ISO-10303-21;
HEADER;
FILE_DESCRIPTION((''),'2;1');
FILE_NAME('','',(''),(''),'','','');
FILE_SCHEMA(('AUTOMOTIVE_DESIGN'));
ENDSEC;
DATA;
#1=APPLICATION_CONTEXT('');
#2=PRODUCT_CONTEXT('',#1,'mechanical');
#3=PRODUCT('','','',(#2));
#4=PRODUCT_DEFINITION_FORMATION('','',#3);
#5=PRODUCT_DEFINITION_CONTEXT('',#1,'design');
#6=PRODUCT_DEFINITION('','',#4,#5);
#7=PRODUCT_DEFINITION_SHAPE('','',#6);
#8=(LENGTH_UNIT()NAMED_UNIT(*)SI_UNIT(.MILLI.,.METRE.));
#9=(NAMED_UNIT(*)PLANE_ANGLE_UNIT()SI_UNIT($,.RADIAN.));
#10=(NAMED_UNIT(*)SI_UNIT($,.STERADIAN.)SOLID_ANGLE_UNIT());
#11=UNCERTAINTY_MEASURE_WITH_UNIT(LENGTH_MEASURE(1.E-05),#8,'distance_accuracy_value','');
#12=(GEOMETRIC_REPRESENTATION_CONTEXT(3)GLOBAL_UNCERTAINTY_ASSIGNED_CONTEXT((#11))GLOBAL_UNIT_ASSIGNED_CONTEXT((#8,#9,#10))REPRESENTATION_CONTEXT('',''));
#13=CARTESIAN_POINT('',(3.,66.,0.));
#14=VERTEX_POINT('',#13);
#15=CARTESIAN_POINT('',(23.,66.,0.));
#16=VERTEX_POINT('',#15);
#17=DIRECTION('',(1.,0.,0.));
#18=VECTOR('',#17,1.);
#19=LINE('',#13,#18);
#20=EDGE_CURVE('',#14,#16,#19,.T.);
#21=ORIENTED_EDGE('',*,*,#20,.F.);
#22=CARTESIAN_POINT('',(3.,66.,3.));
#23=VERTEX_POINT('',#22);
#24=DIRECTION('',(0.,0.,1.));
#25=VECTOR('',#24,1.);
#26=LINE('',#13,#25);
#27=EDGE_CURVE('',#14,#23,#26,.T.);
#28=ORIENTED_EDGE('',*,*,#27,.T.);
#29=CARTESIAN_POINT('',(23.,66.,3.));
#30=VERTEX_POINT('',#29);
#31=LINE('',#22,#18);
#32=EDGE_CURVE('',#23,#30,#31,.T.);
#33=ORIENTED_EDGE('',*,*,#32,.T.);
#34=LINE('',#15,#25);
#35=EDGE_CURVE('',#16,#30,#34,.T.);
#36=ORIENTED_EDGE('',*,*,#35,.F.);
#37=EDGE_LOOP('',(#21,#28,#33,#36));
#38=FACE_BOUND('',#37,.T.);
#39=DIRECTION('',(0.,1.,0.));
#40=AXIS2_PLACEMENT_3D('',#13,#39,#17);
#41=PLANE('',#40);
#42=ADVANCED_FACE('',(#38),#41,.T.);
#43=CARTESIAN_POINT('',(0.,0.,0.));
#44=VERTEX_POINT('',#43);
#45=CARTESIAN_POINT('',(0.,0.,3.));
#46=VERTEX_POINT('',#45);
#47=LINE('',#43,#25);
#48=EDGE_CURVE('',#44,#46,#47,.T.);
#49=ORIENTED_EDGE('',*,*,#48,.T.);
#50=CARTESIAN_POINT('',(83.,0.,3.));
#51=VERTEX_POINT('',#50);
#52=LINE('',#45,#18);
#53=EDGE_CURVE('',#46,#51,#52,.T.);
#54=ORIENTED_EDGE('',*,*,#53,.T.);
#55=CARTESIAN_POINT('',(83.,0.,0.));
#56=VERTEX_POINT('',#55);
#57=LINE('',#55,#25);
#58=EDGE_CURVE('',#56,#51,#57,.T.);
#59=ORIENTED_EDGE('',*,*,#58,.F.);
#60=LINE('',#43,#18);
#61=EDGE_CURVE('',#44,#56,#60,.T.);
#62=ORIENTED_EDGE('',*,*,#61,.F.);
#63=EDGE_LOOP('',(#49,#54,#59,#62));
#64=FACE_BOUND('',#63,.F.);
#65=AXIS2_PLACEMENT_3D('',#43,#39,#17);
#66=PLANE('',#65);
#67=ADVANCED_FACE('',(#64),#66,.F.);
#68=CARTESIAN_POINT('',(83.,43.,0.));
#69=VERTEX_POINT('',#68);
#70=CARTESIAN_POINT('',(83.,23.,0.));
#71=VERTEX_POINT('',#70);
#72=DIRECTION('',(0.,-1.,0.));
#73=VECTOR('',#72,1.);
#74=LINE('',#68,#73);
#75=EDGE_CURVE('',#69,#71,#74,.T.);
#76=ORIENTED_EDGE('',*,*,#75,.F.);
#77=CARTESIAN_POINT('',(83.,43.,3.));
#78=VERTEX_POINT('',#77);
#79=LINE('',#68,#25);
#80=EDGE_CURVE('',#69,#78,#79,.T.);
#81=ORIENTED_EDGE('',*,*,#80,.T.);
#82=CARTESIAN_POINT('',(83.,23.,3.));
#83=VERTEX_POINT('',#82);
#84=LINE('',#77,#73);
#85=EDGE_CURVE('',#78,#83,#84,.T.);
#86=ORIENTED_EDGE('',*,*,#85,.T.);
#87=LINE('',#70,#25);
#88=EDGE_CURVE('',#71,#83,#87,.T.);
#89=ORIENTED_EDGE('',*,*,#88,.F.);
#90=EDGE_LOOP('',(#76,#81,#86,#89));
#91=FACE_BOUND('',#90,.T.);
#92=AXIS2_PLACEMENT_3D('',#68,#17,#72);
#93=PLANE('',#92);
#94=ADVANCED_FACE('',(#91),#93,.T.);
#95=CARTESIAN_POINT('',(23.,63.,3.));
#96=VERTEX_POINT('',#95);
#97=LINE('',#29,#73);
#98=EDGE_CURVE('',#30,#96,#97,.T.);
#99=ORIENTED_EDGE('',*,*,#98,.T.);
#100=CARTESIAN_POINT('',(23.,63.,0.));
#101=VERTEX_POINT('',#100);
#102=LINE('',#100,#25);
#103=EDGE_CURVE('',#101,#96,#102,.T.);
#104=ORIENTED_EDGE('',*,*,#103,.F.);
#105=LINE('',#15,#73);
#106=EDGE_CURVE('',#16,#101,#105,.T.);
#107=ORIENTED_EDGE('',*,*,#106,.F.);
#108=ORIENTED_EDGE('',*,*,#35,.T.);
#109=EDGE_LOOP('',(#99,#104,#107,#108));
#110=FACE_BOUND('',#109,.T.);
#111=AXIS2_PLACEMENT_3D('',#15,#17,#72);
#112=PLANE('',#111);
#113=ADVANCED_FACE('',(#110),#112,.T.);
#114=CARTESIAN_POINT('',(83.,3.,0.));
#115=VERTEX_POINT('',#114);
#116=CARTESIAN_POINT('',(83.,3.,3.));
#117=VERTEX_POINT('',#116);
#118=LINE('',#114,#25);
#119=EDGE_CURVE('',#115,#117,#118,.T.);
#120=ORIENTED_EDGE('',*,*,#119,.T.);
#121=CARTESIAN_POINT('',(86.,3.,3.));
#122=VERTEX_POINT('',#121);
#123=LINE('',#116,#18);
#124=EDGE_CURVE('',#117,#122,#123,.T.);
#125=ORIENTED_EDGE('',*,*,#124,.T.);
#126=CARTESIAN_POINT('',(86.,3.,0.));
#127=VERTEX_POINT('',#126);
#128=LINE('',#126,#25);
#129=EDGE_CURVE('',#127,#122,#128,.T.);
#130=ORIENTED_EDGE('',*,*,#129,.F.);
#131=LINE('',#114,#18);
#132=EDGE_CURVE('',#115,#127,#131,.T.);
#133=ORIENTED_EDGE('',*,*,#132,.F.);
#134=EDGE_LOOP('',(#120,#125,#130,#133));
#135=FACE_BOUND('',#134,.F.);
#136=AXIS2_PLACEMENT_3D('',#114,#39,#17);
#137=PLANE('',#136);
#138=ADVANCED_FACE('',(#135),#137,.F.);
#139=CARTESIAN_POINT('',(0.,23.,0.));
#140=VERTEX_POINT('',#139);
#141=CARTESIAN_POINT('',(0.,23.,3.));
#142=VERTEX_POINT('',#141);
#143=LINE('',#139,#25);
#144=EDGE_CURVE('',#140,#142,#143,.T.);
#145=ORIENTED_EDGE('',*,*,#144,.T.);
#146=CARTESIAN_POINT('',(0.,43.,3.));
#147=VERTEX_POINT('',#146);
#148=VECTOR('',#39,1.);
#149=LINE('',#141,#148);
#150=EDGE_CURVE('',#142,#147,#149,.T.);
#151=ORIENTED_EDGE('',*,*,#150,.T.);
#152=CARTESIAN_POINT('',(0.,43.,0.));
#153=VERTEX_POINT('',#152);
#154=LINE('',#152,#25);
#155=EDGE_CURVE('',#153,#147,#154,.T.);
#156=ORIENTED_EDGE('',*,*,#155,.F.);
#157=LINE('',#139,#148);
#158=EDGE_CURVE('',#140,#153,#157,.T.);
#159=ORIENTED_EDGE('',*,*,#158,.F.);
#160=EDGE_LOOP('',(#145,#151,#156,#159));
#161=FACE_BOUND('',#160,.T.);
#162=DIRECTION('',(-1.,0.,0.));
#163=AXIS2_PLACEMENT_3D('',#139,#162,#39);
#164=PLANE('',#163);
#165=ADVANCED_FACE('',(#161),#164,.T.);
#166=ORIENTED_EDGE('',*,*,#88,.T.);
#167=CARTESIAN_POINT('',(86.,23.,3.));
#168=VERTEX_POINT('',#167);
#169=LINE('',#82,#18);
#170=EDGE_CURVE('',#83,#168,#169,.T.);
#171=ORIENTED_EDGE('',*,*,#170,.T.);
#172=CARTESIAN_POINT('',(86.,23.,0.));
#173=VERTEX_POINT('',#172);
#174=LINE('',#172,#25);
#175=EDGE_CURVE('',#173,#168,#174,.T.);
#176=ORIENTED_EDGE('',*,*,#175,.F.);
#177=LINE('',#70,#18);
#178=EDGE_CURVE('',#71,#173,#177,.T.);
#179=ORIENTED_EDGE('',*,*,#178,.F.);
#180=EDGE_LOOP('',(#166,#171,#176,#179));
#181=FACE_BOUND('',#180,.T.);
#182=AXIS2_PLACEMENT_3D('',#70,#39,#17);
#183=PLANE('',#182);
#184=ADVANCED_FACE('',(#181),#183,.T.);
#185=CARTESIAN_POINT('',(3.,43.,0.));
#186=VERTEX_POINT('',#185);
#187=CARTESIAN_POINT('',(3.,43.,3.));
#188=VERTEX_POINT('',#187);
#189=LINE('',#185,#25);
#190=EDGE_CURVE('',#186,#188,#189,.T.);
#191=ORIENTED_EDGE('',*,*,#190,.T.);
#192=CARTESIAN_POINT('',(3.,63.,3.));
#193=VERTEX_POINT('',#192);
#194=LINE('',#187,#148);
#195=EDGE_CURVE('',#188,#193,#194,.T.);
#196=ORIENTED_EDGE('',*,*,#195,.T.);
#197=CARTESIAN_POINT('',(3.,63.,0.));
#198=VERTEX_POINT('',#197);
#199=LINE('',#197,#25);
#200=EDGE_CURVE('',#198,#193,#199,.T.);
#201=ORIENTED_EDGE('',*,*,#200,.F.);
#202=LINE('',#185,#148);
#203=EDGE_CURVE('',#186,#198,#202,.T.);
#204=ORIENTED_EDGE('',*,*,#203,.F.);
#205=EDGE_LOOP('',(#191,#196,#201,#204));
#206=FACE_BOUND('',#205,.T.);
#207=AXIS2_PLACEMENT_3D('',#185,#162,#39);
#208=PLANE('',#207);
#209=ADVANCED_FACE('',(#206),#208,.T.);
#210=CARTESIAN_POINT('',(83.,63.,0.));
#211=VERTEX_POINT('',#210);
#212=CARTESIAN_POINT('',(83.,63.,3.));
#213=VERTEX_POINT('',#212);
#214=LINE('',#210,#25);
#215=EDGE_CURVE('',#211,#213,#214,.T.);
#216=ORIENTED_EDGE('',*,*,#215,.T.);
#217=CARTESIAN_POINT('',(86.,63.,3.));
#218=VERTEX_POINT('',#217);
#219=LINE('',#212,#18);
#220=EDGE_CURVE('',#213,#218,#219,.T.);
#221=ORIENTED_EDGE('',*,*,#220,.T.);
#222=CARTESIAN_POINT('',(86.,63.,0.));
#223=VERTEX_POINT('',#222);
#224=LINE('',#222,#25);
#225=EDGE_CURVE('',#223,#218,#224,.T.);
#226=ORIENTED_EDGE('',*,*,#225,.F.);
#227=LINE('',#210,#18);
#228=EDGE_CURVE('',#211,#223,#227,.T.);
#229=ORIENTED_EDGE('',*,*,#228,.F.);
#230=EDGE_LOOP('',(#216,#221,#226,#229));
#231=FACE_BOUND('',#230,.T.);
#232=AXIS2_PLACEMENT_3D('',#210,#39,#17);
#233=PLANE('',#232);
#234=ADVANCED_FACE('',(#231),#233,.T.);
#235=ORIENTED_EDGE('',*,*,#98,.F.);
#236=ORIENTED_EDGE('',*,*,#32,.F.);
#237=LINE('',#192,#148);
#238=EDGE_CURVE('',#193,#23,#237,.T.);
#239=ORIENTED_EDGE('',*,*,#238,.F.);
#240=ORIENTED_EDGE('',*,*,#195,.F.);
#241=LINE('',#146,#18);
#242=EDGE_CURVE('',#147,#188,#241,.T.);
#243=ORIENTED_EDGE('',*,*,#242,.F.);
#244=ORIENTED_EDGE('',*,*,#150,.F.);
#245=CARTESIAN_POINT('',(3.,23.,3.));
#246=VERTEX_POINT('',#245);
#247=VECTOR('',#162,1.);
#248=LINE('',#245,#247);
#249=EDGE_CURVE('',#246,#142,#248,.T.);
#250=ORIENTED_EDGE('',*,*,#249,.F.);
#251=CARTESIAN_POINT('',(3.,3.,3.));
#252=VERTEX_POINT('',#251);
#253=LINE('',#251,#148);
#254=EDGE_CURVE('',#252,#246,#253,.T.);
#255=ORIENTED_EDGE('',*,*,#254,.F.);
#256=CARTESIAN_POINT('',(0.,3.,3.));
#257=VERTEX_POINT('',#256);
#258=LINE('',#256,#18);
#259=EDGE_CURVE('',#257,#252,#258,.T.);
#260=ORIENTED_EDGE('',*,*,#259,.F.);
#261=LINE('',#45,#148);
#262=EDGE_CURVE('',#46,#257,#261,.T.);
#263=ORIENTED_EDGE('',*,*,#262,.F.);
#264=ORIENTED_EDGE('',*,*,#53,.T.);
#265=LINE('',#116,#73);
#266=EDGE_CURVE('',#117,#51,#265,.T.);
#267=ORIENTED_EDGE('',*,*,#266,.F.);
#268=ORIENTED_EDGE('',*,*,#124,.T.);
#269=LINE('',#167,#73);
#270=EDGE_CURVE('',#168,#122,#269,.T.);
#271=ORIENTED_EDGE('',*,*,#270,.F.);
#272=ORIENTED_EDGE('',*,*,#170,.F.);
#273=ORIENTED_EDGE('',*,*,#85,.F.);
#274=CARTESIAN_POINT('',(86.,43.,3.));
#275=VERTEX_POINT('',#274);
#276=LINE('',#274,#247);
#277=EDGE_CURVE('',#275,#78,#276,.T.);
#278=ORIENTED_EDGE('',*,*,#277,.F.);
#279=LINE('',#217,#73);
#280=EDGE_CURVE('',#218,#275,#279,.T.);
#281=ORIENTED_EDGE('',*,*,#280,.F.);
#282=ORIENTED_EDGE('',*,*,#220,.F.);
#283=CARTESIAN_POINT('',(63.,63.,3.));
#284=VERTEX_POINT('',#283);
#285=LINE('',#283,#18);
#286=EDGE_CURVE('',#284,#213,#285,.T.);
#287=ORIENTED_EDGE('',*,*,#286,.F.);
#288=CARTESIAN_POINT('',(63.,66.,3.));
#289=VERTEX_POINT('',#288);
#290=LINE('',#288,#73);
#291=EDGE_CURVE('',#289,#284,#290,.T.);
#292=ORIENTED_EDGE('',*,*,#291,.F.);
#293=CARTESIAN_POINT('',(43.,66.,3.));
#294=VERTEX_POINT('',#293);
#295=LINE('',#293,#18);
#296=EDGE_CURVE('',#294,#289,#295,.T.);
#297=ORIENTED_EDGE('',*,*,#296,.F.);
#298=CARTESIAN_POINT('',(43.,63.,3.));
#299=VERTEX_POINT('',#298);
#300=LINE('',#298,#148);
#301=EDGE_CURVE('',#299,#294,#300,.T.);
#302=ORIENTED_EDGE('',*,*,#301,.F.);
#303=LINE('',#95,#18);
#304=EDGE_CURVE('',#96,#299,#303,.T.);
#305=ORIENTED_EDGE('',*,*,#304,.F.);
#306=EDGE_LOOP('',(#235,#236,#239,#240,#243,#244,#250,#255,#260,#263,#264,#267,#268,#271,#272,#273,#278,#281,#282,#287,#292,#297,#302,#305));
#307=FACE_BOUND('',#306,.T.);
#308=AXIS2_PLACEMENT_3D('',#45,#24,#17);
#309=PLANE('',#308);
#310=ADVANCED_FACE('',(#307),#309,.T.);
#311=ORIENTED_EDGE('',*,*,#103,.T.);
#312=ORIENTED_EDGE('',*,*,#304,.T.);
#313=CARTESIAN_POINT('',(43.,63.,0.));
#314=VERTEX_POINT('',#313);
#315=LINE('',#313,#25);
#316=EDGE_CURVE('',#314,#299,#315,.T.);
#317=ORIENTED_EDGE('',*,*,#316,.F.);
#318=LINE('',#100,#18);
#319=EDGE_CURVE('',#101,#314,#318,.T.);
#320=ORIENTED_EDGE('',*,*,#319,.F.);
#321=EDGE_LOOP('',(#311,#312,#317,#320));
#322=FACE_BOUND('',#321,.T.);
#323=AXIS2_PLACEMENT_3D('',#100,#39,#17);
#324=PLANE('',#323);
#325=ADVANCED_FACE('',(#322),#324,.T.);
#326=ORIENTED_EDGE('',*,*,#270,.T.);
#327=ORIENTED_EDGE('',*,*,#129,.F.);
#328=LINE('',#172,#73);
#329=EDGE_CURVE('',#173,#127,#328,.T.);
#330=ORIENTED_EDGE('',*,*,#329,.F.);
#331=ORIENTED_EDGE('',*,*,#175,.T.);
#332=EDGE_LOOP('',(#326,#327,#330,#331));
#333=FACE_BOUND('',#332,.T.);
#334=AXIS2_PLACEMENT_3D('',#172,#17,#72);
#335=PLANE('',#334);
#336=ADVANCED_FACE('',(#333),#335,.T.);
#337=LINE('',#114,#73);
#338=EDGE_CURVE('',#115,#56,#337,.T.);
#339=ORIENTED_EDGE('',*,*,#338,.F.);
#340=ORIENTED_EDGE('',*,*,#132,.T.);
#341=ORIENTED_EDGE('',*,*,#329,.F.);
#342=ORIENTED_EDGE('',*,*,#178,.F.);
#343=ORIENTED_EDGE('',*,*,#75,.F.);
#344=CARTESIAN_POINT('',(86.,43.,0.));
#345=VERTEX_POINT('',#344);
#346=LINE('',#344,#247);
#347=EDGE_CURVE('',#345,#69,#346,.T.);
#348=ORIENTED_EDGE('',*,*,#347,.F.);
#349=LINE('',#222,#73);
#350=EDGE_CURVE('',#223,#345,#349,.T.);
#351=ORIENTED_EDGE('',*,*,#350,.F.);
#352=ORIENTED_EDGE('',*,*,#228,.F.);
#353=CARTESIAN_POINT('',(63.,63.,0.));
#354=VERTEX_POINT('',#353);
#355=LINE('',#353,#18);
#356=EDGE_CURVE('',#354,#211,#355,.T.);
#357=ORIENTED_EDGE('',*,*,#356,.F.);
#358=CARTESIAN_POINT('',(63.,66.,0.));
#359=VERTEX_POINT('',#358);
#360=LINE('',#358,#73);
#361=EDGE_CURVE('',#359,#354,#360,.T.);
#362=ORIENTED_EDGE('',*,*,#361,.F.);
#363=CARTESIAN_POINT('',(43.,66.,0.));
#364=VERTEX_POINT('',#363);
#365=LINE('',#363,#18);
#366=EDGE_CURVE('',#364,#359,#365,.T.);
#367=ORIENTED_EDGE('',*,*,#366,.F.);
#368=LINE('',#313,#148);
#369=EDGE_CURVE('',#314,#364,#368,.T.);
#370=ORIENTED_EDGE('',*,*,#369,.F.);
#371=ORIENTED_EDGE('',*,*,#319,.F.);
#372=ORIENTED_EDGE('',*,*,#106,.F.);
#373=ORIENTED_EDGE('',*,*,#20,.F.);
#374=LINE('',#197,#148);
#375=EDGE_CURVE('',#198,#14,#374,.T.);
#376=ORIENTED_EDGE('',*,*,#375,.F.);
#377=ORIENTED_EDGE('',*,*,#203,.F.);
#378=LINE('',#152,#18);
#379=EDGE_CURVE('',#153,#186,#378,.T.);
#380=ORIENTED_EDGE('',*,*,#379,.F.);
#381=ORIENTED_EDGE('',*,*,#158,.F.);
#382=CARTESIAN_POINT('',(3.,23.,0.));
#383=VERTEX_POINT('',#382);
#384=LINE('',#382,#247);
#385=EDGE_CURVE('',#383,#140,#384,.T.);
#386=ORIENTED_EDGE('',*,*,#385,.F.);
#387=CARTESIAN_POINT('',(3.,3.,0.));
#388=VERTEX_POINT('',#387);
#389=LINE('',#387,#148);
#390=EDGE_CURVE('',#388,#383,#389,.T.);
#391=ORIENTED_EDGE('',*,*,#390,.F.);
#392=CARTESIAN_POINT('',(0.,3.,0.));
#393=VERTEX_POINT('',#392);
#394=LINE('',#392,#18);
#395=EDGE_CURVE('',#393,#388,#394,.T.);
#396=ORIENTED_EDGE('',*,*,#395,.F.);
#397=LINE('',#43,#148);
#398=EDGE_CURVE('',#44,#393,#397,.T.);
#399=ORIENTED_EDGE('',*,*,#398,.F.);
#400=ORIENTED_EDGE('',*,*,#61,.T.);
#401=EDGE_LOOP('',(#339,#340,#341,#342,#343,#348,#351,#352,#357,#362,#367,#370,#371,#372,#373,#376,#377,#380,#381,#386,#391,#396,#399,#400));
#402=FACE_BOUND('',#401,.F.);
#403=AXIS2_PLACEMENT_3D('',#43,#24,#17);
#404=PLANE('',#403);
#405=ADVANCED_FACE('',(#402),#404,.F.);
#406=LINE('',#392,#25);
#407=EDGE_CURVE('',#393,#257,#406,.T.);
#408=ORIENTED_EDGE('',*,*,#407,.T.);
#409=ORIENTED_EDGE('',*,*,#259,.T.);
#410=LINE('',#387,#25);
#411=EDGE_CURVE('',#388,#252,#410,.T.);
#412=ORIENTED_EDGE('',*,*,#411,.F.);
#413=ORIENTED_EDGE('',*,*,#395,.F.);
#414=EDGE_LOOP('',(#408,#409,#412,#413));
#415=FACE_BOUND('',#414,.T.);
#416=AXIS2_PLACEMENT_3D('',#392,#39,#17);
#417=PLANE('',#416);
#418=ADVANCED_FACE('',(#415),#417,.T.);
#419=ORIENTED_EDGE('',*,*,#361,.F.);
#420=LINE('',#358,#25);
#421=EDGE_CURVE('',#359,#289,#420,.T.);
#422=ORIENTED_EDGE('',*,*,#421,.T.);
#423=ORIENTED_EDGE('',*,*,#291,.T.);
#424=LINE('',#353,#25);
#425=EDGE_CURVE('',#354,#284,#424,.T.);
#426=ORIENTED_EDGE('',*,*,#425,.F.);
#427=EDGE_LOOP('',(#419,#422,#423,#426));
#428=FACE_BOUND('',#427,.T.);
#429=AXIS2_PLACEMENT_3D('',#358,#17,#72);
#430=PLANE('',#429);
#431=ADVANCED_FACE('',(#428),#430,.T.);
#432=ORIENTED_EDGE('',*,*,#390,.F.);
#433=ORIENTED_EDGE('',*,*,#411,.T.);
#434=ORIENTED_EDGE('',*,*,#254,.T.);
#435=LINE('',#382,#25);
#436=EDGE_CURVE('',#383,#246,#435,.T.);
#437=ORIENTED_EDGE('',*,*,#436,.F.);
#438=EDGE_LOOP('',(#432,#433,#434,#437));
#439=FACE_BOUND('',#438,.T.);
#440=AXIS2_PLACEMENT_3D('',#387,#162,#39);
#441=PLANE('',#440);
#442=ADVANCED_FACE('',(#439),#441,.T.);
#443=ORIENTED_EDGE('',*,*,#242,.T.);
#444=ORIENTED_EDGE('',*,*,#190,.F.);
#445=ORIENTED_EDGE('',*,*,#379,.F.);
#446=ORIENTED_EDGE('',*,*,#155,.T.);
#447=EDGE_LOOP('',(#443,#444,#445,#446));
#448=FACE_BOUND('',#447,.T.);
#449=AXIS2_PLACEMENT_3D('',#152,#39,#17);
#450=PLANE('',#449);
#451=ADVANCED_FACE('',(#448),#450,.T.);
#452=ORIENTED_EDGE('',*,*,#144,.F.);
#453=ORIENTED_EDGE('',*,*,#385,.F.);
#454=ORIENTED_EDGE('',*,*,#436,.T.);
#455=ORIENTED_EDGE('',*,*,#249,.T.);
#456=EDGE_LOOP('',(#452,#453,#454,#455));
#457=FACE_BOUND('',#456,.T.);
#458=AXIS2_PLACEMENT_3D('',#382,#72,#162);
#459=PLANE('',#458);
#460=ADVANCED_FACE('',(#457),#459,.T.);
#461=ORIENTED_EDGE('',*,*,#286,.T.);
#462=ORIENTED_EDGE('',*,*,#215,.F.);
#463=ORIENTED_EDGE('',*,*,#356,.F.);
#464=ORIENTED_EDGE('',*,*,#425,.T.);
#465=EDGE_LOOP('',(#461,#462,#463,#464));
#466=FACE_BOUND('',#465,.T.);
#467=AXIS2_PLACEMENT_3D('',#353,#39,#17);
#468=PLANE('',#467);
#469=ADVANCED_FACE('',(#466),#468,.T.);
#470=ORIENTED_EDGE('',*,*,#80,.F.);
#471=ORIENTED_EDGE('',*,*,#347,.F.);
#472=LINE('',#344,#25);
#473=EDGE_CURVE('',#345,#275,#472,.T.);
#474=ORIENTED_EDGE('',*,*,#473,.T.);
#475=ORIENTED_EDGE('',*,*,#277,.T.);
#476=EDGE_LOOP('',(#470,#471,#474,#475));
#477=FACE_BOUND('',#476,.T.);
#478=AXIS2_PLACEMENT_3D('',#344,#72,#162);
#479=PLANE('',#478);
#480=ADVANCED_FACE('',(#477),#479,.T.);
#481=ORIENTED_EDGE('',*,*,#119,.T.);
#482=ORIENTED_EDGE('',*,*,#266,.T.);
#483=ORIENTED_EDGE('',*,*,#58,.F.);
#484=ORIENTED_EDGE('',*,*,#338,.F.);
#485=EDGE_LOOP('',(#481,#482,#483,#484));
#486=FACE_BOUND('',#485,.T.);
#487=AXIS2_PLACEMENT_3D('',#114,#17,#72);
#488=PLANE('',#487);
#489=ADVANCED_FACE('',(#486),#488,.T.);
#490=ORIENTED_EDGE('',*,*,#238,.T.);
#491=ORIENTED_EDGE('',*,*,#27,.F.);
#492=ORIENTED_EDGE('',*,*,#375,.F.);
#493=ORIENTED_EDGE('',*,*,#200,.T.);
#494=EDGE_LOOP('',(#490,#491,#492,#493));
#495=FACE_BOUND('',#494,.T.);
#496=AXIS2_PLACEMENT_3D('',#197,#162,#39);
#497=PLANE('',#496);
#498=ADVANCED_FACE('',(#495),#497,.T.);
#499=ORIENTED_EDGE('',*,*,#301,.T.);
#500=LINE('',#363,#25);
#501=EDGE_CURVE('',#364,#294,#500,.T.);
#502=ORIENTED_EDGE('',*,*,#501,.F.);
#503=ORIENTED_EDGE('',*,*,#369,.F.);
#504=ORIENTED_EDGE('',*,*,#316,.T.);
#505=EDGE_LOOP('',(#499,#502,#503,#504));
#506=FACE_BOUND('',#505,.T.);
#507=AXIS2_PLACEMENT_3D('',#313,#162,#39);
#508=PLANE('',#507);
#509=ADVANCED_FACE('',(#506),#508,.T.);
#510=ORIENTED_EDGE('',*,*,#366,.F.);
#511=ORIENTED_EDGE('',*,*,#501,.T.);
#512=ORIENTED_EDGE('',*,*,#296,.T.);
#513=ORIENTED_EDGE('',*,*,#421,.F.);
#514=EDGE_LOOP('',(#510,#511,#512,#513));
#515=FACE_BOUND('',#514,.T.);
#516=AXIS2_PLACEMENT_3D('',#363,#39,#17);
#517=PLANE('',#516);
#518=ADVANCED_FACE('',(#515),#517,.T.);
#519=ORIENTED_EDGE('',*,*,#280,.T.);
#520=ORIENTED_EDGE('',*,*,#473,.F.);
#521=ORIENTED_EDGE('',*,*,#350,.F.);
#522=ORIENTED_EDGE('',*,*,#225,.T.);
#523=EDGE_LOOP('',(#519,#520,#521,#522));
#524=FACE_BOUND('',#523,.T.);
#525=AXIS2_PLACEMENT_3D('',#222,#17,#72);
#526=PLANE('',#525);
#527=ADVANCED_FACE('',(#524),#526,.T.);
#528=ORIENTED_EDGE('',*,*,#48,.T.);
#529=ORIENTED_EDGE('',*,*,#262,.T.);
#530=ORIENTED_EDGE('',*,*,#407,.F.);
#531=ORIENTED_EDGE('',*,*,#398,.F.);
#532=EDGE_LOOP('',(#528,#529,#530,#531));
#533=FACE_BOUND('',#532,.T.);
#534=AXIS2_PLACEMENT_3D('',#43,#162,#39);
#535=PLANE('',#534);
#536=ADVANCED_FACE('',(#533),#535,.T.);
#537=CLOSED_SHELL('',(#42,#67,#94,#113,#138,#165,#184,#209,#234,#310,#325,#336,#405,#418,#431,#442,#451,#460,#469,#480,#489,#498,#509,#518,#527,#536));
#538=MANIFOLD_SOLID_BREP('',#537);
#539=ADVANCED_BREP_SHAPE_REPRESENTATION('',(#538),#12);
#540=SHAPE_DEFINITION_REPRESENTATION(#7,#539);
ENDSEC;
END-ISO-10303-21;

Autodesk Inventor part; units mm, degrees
ref_plane "YZ Plane" through (0, 0, 0) normal (1, 0, 0) x (0, 1, 0)
ref_plane "XZ Plane" through (0, 0, 0) normal (0, 1, 0) x (-1, 0, 0)
ref_plane "XY Plane" through (0, 0, 0) normal (0, 0, 1) x (1, 0, 0)
sketch "Sketch1" plane through (0, 0, 0) normal (0, 0, 1) x (1, 0, 0)
  line L0 (0, 0) -> (83, 0)
  line L1 (0, 0) -> (0, 3)
  line L2 (0, 3) -> (3, 3)
  line L3 (3, 3) -> (3, 23)
  line L4 (3, 23) -> (0, 23)
  line L5 (0, 23) -> (0, 43)
  line L6 (0, 43) -> (3, 43)
  line L7 (3, 43) -> (3, 63)
  line L8 (3, 63) -> (3, 66)
  line L9 (3, 66) -> (23, 66)
  line L10 (23, 66) -> (23, 63)
  line L11 (23, 63) -> (43, 63)
  line L12 (43, 63) -> (43, 66)
  line L13 (43, 66) -> (63, 66)
  line L14 (63, 66) -> (63, 63)
  line L15 (63, 63) -> (83, 63)
  line L16 (83, 63) -> (86, 63)
  line L17 (86, 63) -> (86, 43)
  line L18 (86, 43) -> (83, 43)
  line L19 (83, 43) -> (83, 23)
  line L20 (83, 23) -> (86, 23)
  line L21 (86, 23) -> (86, 3)
  line L22 (83, 3) -> (83, 0)
  line L23 (83, 3) -> (86, 3)
  dimension "d0" = 83
  dimension "d1" = 3
  dimension "d2" = 3
  dimension "d3" = 20
  dimension "d4" = 20
  dimension "d5" = 20
  dimension "d6" = 3
  dimension "d7" = 20
  dimension "d8" = 20
  dimension "d9" = 20
  dimension "d10" = 20
  dimension "d11" = 3
  dimension "d12" = 20
  dimension "d13" = 3
  dimension "d14" = 20
  dimension "d16" = 20
extrude "Extrusion1" add sketch "Sketch1" along normal blind 3
properties part number "ControlBoxSidePower" material "Wood (Birch)"
